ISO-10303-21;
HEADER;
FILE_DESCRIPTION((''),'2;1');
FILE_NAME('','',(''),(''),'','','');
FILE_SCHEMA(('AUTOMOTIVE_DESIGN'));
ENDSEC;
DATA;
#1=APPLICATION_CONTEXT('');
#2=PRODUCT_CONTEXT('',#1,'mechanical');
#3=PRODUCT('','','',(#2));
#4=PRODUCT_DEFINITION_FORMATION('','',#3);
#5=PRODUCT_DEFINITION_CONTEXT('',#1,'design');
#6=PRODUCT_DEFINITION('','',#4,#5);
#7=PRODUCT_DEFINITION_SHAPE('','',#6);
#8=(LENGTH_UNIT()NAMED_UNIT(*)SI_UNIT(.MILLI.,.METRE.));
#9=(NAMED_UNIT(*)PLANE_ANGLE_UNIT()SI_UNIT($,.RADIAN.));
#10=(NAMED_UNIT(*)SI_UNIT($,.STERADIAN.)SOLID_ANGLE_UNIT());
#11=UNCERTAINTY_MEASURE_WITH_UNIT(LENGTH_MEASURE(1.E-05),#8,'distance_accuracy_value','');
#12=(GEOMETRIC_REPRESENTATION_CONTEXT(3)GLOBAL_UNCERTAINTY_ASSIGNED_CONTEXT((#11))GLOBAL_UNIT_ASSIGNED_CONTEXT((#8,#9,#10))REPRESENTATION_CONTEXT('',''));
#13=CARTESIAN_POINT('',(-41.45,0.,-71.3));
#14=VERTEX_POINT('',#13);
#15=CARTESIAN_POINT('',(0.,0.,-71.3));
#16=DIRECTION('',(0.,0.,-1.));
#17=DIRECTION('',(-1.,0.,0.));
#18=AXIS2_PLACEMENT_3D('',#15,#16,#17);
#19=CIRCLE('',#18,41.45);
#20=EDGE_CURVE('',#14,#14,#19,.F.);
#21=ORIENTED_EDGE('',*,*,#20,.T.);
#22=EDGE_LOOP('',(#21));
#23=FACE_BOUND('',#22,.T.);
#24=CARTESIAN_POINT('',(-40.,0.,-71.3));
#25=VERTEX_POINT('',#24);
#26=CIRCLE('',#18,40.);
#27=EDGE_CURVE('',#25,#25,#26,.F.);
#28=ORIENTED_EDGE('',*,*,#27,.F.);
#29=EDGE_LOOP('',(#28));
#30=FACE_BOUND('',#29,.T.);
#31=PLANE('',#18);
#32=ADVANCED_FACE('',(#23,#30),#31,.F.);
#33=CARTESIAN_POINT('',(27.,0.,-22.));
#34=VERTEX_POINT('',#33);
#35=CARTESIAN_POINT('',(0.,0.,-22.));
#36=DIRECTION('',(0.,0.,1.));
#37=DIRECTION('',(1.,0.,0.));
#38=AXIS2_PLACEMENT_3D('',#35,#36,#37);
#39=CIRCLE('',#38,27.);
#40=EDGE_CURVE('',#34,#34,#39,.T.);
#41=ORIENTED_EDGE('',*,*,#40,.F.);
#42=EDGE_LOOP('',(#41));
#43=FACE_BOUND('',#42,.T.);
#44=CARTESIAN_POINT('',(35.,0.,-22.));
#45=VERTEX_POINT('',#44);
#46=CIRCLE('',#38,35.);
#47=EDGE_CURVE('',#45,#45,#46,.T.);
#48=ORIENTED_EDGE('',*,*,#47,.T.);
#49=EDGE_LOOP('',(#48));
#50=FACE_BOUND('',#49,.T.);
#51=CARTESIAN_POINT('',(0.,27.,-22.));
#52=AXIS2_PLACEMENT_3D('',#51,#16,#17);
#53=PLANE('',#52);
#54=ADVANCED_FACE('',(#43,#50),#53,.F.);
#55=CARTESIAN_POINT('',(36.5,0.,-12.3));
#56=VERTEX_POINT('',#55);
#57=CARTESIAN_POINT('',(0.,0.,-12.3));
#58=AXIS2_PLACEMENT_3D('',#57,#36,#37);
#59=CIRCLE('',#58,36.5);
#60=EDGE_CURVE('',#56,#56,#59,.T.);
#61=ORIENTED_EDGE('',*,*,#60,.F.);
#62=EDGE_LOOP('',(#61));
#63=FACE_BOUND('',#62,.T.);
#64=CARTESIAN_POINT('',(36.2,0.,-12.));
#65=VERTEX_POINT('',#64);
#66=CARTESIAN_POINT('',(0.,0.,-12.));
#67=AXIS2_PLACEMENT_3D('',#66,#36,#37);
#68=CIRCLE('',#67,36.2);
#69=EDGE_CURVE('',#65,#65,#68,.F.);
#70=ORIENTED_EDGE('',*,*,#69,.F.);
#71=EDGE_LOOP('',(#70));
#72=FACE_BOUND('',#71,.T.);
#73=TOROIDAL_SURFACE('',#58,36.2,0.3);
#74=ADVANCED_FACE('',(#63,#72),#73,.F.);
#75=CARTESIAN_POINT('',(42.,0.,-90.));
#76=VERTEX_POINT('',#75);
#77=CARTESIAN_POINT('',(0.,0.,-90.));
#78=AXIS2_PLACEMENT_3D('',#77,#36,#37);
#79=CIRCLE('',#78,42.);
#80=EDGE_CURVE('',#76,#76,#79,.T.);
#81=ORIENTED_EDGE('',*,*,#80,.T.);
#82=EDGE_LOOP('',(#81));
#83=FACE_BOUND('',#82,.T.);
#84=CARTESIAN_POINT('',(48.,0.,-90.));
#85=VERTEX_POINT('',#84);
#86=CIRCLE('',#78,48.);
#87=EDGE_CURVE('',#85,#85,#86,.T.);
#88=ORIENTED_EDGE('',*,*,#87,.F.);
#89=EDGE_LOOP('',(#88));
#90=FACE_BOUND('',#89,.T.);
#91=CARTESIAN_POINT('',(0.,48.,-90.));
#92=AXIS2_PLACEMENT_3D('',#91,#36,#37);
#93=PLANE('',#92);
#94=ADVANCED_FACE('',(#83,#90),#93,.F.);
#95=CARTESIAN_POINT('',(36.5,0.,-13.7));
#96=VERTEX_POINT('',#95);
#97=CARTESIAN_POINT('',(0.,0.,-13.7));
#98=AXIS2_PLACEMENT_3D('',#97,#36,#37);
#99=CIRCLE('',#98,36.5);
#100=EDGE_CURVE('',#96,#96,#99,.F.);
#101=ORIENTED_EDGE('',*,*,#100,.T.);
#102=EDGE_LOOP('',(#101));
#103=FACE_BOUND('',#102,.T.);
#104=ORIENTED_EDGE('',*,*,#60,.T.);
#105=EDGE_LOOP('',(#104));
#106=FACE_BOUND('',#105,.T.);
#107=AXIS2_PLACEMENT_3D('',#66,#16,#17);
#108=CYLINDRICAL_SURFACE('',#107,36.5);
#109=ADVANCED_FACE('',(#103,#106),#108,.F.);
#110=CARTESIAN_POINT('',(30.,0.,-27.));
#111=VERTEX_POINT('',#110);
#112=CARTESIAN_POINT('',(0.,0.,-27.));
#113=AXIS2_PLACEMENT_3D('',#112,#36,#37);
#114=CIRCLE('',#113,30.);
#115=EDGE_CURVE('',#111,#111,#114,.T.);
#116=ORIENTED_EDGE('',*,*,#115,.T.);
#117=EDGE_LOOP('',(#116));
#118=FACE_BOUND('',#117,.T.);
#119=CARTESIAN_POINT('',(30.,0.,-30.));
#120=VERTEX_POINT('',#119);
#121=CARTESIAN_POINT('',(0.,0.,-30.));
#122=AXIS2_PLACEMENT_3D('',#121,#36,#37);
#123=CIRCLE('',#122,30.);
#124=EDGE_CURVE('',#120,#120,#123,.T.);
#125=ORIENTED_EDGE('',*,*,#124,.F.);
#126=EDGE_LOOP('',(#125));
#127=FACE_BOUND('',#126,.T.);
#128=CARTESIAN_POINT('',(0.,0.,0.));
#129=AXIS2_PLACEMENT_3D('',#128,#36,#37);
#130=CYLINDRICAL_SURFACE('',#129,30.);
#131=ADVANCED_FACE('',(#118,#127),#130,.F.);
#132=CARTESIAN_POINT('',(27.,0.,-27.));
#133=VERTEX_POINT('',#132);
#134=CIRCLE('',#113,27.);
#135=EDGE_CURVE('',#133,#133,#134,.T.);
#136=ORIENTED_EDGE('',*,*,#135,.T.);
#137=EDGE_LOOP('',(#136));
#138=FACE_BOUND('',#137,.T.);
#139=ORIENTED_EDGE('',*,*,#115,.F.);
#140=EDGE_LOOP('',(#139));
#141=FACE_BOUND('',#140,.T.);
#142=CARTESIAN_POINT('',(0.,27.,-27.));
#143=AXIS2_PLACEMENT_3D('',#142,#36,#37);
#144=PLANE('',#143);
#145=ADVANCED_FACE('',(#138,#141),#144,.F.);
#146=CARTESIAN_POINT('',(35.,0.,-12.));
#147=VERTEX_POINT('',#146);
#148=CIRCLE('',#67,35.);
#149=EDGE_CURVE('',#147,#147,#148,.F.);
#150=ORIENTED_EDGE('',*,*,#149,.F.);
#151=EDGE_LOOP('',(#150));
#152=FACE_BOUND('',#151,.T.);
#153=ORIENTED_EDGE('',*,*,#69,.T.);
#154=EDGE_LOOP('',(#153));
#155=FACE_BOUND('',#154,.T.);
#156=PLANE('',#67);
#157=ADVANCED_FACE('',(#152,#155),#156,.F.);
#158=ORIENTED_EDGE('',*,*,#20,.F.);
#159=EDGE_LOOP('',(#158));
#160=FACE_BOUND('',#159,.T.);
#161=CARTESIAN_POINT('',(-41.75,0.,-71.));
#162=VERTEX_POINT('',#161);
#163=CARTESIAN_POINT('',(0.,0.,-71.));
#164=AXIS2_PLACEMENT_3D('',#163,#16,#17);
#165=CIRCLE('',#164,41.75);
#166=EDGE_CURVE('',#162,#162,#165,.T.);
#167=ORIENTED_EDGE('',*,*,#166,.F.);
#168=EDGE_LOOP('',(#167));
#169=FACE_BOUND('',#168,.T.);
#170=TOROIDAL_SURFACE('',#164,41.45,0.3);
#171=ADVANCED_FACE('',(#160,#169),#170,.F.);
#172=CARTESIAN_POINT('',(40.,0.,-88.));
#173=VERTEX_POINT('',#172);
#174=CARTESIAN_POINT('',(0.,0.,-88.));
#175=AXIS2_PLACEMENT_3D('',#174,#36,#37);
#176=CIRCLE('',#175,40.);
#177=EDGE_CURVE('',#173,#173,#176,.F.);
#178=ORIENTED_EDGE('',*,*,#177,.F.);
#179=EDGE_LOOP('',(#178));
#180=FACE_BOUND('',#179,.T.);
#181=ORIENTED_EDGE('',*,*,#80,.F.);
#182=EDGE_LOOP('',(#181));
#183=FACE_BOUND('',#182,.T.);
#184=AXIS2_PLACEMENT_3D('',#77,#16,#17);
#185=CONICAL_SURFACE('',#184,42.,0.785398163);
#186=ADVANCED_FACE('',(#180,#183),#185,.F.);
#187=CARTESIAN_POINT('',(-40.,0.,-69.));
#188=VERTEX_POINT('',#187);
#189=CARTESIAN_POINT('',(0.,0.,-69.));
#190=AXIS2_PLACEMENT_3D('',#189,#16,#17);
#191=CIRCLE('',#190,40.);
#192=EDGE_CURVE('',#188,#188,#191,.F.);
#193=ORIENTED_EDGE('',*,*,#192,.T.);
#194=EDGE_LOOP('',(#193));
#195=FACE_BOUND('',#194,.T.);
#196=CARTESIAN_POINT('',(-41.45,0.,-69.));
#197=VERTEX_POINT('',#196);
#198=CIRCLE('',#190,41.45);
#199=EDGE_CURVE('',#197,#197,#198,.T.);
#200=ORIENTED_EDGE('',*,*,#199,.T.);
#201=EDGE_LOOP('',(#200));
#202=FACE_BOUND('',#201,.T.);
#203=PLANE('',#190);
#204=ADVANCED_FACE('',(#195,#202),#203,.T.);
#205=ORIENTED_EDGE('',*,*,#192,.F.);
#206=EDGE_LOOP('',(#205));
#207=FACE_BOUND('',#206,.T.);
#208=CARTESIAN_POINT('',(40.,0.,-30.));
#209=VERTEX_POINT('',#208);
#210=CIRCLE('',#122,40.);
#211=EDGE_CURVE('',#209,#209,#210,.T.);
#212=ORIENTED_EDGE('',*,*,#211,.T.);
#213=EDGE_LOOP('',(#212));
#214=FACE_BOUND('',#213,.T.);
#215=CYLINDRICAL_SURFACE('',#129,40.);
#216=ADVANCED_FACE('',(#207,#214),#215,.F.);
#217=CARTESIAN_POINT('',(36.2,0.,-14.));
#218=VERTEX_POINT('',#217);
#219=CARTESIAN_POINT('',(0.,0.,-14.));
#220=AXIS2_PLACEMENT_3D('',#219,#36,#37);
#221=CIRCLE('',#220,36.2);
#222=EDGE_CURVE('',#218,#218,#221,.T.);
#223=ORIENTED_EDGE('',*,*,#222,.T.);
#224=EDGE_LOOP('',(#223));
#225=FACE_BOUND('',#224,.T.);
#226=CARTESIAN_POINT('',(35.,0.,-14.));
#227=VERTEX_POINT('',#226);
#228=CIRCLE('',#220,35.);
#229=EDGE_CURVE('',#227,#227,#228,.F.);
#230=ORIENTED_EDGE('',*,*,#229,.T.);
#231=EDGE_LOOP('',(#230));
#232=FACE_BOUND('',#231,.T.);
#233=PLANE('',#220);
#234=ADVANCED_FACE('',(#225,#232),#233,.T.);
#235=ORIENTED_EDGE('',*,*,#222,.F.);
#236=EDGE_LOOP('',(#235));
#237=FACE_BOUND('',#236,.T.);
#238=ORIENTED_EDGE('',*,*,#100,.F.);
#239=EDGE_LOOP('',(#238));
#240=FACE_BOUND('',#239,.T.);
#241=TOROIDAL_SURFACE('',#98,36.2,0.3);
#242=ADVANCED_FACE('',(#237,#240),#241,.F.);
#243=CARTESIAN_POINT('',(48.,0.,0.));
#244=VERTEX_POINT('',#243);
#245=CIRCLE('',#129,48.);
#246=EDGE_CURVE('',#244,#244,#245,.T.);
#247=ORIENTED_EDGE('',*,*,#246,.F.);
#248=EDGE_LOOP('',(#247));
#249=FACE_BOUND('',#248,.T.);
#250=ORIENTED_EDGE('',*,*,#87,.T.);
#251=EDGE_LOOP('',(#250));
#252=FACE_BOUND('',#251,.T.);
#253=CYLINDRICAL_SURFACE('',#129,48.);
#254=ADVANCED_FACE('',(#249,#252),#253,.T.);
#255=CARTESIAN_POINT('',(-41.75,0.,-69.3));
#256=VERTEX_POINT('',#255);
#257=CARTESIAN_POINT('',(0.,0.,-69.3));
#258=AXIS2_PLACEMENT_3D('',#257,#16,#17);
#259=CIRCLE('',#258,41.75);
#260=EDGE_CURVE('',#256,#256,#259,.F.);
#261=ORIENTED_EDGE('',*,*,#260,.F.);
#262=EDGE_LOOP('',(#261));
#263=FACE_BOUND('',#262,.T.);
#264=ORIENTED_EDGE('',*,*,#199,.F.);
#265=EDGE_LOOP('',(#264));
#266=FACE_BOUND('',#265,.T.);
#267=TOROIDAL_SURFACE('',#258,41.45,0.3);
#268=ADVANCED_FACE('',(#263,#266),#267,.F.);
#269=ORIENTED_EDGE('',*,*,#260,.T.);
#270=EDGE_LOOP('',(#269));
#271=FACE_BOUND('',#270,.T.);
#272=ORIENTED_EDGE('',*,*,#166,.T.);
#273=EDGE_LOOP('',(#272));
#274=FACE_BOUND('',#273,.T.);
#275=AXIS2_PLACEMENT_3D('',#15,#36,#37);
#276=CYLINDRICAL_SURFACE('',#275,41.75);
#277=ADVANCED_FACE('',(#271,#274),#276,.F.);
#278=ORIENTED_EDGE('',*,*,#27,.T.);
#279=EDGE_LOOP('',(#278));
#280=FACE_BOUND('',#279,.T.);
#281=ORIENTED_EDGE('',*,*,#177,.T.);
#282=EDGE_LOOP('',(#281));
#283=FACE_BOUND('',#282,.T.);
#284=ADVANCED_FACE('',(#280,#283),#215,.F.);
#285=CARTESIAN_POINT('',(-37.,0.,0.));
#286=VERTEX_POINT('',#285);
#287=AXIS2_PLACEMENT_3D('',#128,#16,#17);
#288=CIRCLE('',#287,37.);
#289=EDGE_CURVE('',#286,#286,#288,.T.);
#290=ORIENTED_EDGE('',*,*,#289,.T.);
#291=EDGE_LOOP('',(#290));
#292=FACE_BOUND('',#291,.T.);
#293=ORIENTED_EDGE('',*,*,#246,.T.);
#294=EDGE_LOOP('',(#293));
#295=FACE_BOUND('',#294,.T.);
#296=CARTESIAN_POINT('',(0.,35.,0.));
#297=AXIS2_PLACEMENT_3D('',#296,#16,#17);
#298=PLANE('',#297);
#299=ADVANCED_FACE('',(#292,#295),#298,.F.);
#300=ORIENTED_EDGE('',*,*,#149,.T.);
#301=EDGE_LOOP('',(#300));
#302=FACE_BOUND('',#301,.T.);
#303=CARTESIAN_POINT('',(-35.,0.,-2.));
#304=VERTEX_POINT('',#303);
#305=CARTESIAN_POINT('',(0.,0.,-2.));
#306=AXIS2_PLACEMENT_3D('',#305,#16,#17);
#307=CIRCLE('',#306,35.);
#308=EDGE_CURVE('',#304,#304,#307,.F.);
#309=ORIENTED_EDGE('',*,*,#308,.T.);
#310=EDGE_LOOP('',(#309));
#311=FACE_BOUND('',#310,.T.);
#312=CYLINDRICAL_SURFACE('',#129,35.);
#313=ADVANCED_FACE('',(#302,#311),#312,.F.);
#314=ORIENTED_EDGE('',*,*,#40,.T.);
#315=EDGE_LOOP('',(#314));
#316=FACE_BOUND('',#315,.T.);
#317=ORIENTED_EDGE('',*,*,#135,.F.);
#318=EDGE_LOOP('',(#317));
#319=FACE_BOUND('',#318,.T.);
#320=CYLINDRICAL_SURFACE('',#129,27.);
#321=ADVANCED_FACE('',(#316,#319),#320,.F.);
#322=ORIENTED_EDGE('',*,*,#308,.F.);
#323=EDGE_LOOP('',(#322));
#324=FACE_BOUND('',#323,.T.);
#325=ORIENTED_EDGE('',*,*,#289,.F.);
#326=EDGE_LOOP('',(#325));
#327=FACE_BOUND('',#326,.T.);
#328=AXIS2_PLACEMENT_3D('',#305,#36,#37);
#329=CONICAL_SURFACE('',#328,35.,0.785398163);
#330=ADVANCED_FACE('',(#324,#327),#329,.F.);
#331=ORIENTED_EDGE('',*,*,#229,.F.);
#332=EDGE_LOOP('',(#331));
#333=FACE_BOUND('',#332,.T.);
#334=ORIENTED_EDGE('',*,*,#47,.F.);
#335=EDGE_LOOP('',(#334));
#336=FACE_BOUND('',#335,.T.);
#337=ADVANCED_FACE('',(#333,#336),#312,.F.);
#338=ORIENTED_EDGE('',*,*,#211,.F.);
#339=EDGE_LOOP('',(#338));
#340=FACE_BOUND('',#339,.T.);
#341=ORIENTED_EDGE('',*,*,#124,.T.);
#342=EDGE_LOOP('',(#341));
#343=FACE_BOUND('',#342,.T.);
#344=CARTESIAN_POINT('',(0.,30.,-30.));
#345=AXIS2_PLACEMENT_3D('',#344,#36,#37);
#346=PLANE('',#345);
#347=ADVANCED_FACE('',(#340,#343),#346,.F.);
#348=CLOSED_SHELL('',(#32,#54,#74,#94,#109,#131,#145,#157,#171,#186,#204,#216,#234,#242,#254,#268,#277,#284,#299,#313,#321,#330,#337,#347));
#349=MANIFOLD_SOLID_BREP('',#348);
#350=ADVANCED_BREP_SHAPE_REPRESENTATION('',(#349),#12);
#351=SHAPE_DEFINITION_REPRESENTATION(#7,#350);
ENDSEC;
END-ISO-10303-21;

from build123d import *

# Parameters (mm, degrees)
SKETCH_2_R          = 36.5
CUT_EXTRUDE_1_DEPTH = 2
SKETCH_3_R          = 41.75
CUT_EXTRUDE_2_DEPTH = 2.3
FILLET_1_R          = 0.3
CHAMFER_2_SIZE      = 2


with BuildPart() as part:
    # Эскиз1 → Повернуть1 (revolve)
    with BuildSketch(Plane(origin=(0, 0, 0), x_dir=(0, 0, -1), z_dir=(1, 0, 0))):
        Polygon((0, 48), (90, 48), (90, 40), (30, 40), (30, 30), (27, 30), (27, 27), (22, 27), (22, 35), (0, 35), align=None)
    revolve(axis=Axis((0, 0, 0), (0, 0, -1)))

    # Эскиз2 → Вырез-Вытянуть1 (cut)
    with BuildSketch(Plane.XY.offset(-14)):
        Circle(SKETCH_2_R)
    extrude(amount=CUT_EXTRUDE_1_DEPTH, mode=Mode.SUBTRACT)

    # Эскиз3 → Вырез-Вытянуть2 (cut)
    with BuildSketch(Plane(origin=(0, 0, -69), x_dir=(-1, 0, 0), z_dir=(0, 0, -1))):
        Circle(SKETCH_3_R)
    extrude(amount=CUT_EXTRUDE_2_DEPTH, mode=Mode.SUBTRACT)

    # Скругление1
    fillet_1_edges = [part.edges().sort_by_distance(p)[0] for p in [
        (41.75, 0, -71.3),
        (41.75, 0, -69),
        (-36.5, 0, -12),
        (-36.5, 0, -14),
    ]]
    fillet(fillet_1_edges, radius=FILLET_1_R)

    # Фаска2
    chamfer_2_edges = [part.edges().sort_by_distance(p)[0] for p in [
        (0, -35, 0),
        (0, -40, -90),
    ]]
    chamfer(chamfer_2_edges, length=CHAMFER_2_SIZE)


solid = part.part
